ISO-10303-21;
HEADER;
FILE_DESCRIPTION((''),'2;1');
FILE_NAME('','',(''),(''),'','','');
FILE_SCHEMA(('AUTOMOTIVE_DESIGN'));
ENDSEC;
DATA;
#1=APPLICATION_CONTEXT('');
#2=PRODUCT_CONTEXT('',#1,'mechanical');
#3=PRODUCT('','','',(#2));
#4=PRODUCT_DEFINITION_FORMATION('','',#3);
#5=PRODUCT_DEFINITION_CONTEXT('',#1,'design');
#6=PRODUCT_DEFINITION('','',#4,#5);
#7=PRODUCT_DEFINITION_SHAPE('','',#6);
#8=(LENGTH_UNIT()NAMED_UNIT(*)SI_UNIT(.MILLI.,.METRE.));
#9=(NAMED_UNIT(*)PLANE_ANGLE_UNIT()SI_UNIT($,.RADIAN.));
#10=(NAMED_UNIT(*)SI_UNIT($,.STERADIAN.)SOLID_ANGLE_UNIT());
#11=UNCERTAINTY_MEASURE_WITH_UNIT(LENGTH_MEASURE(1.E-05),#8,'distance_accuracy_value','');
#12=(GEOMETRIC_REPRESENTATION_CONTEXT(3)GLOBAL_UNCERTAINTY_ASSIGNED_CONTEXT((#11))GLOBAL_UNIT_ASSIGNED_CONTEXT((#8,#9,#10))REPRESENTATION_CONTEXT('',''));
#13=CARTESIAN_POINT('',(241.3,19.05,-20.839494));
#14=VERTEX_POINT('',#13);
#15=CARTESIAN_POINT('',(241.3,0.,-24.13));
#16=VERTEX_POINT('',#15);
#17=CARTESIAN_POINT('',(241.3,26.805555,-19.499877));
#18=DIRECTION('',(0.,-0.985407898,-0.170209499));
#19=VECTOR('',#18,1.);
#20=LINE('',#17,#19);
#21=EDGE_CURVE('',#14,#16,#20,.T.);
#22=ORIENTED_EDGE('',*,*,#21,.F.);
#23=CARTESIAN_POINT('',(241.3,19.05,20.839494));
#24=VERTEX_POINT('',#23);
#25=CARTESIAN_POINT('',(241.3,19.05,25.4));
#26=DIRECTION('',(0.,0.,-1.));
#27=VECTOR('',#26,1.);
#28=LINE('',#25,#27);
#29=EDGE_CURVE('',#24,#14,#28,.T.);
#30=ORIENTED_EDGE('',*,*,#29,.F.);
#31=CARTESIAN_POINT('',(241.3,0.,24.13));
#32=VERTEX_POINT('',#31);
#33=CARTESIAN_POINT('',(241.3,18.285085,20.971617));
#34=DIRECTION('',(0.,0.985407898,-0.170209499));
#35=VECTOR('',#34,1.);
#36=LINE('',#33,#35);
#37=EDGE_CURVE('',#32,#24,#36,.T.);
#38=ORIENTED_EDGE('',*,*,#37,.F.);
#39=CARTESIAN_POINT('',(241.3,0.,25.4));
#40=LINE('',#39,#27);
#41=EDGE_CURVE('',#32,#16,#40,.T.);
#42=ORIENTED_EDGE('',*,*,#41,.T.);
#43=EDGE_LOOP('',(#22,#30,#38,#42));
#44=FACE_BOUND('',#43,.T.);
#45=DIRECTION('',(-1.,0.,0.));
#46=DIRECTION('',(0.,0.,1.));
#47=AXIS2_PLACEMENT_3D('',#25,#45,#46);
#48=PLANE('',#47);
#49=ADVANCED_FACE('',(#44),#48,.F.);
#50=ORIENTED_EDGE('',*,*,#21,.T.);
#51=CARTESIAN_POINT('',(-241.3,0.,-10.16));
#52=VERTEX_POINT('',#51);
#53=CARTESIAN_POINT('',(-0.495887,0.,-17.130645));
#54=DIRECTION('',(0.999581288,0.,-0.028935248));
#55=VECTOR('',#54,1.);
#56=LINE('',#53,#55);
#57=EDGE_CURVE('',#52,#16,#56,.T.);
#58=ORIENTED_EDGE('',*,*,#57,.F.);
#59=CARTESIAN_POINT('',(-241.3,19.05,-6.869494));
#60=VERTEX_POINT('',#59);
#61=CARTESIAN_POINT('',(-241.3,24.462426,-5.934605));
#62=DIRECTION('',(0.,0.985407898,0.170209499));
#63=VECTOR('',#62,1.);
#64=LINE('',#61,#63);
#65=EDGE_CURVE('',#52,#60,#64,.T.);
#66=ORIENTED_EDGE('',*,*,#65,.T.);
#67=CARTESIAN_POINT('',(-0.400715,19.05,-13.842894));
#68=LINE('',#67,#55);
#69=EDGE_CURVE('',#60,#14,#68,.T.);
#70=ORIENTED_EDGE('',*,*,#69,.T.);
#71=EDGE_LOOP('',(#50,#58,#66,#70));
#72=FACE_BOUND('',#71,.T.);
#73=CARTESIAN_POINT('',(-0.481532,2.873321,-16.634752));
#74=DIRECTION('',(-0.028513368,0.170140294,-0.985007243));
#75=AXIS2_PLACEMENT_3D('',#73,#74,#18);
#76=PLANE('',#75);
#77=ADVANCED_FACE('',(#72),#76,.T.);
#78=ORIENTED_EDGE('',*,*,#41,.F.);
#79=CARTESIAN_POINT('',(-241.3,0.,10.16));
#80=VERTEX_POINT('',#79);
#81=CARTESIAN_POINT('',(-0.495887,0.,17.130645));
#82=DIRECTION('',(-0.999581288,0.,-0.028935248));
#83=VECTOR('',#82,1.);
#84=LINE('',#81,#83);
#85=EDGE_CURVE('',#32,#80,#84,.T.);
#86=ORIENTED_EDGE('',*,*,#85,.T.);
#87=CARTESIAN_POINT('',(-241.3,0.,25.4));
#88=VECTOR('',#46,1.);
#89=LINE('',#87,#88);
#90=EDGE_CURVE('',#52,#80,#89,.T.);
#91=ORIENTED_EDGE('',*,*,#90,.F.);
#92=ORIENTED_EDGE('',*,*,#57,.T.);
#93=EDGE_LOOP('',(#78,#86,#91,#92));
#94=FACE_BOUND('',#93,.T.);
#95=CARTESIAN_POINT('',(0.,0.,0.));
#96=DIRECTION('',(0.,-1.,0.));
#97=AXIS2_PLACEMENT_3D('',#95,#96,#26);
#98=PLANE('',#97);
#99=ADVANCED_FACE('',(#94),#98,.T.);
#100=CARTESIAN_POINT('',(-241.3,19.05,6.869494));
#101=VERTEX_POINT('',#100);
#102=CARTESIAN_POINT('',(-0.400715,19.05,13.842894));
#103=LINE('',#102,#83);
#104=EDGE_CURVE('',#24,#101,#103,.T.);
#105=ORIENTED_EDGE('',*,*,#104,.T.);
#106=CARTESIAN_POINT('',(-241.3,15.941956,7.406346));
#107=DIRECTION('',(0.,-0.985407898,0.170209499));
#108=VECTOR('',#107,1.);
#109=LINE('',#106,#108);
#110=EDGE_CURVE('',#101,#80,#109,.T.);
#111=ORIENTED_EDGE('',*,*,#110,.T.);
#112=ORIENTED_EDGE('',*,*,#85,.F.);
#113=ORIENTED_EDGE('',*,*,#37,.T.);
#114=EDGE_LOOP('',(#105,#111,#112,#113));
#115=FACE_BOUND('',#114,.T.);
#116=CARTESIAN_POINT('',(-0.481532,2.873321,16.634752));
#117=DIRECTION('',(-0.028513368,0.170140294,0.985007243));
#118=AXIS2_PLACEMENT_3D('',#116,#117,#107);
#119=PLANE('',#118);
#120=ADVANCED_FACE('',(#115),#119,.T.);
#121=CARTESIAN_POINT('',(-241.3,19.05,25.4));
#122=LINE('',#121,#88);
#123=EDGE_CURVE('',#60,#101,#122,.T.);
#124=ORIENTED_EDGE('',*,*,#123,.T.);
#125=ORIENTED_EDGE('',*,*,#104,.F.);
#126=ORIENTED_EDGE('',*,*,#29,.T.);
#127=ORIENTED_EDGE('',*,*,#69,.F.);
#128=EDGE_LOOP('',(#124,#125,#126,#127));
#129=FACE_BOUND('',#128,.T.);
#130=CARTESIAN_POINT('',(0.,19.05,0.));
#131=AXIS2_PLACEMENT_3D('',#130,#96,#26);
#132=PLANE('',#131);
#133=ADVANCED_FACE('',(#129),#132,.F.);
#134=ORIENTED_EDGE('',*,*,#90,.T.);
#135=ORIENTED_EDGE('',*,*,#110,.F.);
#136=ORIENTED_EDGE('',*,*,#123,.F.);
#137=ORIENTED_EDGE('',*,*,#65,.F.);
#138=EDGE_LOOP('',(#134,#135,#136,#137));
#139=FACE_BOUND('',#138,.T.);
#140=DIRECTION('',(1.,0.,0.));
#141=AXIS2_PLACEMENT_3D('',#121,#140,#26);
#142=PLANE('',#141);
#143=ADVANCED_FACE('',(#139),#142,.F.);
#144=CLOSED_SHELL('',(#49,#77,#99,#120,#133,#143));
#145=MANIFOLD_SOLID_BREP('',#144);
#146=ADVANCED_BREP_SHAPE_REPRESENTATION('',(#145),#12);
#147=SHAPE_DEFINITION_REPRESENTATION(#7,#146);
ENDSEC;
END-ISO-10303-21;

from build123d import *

# Parameters (mm, degrees)
SKETCH1_W           = 482.6
SKETCH1_H           = 50.8
BOSS_EXTRUDE1_DEPTH = 19.05
SKETCH5_W           = 508
SKETCH5_H           = 50.8
CUT_EXTRUDE1_DEPTH  = 246.940876462


with BuildPart() as part:
    # Sketch1 → Boss-Extrude1 (new body)
    with BuildSketch(Plane(origin=(0, 0, 0), x_dir=(1, 0, 0), z_dir=(0, 1, 0))):
        Rectangle(SKETCH1_W, SKETCH1_H)
    extrude(amount=BOSS_EXTRUDE1_DEPTH)

    # Sketch5 → Cut-Extrude1 (cut, through all)
    with BuildSketch(Plane(origin=(-0.481532302, 2.873320636, 16.634752254), x_dir=(0.9995934063300581, 0.0049512943147540294, 0.028080361573174478), z_dir=(-0.028513367553161754, 0.17014029390333138, 0.9850072427455884))):
        with Locations((0, 9.697527332)):
            Rectangle(SKETCH5_W, SKETCH5_H)
    cut_extrude1 = extrude(amount=CUT_EXTRUDE1_DEPTH, mode=Mode.SUBTRACT)

    # Mirror1: Cut-Extrude1 across plane
    add(cut_extrude1.mirror(Plane.XY), mode=Mode.SUBTRACT)


solid = part.part
